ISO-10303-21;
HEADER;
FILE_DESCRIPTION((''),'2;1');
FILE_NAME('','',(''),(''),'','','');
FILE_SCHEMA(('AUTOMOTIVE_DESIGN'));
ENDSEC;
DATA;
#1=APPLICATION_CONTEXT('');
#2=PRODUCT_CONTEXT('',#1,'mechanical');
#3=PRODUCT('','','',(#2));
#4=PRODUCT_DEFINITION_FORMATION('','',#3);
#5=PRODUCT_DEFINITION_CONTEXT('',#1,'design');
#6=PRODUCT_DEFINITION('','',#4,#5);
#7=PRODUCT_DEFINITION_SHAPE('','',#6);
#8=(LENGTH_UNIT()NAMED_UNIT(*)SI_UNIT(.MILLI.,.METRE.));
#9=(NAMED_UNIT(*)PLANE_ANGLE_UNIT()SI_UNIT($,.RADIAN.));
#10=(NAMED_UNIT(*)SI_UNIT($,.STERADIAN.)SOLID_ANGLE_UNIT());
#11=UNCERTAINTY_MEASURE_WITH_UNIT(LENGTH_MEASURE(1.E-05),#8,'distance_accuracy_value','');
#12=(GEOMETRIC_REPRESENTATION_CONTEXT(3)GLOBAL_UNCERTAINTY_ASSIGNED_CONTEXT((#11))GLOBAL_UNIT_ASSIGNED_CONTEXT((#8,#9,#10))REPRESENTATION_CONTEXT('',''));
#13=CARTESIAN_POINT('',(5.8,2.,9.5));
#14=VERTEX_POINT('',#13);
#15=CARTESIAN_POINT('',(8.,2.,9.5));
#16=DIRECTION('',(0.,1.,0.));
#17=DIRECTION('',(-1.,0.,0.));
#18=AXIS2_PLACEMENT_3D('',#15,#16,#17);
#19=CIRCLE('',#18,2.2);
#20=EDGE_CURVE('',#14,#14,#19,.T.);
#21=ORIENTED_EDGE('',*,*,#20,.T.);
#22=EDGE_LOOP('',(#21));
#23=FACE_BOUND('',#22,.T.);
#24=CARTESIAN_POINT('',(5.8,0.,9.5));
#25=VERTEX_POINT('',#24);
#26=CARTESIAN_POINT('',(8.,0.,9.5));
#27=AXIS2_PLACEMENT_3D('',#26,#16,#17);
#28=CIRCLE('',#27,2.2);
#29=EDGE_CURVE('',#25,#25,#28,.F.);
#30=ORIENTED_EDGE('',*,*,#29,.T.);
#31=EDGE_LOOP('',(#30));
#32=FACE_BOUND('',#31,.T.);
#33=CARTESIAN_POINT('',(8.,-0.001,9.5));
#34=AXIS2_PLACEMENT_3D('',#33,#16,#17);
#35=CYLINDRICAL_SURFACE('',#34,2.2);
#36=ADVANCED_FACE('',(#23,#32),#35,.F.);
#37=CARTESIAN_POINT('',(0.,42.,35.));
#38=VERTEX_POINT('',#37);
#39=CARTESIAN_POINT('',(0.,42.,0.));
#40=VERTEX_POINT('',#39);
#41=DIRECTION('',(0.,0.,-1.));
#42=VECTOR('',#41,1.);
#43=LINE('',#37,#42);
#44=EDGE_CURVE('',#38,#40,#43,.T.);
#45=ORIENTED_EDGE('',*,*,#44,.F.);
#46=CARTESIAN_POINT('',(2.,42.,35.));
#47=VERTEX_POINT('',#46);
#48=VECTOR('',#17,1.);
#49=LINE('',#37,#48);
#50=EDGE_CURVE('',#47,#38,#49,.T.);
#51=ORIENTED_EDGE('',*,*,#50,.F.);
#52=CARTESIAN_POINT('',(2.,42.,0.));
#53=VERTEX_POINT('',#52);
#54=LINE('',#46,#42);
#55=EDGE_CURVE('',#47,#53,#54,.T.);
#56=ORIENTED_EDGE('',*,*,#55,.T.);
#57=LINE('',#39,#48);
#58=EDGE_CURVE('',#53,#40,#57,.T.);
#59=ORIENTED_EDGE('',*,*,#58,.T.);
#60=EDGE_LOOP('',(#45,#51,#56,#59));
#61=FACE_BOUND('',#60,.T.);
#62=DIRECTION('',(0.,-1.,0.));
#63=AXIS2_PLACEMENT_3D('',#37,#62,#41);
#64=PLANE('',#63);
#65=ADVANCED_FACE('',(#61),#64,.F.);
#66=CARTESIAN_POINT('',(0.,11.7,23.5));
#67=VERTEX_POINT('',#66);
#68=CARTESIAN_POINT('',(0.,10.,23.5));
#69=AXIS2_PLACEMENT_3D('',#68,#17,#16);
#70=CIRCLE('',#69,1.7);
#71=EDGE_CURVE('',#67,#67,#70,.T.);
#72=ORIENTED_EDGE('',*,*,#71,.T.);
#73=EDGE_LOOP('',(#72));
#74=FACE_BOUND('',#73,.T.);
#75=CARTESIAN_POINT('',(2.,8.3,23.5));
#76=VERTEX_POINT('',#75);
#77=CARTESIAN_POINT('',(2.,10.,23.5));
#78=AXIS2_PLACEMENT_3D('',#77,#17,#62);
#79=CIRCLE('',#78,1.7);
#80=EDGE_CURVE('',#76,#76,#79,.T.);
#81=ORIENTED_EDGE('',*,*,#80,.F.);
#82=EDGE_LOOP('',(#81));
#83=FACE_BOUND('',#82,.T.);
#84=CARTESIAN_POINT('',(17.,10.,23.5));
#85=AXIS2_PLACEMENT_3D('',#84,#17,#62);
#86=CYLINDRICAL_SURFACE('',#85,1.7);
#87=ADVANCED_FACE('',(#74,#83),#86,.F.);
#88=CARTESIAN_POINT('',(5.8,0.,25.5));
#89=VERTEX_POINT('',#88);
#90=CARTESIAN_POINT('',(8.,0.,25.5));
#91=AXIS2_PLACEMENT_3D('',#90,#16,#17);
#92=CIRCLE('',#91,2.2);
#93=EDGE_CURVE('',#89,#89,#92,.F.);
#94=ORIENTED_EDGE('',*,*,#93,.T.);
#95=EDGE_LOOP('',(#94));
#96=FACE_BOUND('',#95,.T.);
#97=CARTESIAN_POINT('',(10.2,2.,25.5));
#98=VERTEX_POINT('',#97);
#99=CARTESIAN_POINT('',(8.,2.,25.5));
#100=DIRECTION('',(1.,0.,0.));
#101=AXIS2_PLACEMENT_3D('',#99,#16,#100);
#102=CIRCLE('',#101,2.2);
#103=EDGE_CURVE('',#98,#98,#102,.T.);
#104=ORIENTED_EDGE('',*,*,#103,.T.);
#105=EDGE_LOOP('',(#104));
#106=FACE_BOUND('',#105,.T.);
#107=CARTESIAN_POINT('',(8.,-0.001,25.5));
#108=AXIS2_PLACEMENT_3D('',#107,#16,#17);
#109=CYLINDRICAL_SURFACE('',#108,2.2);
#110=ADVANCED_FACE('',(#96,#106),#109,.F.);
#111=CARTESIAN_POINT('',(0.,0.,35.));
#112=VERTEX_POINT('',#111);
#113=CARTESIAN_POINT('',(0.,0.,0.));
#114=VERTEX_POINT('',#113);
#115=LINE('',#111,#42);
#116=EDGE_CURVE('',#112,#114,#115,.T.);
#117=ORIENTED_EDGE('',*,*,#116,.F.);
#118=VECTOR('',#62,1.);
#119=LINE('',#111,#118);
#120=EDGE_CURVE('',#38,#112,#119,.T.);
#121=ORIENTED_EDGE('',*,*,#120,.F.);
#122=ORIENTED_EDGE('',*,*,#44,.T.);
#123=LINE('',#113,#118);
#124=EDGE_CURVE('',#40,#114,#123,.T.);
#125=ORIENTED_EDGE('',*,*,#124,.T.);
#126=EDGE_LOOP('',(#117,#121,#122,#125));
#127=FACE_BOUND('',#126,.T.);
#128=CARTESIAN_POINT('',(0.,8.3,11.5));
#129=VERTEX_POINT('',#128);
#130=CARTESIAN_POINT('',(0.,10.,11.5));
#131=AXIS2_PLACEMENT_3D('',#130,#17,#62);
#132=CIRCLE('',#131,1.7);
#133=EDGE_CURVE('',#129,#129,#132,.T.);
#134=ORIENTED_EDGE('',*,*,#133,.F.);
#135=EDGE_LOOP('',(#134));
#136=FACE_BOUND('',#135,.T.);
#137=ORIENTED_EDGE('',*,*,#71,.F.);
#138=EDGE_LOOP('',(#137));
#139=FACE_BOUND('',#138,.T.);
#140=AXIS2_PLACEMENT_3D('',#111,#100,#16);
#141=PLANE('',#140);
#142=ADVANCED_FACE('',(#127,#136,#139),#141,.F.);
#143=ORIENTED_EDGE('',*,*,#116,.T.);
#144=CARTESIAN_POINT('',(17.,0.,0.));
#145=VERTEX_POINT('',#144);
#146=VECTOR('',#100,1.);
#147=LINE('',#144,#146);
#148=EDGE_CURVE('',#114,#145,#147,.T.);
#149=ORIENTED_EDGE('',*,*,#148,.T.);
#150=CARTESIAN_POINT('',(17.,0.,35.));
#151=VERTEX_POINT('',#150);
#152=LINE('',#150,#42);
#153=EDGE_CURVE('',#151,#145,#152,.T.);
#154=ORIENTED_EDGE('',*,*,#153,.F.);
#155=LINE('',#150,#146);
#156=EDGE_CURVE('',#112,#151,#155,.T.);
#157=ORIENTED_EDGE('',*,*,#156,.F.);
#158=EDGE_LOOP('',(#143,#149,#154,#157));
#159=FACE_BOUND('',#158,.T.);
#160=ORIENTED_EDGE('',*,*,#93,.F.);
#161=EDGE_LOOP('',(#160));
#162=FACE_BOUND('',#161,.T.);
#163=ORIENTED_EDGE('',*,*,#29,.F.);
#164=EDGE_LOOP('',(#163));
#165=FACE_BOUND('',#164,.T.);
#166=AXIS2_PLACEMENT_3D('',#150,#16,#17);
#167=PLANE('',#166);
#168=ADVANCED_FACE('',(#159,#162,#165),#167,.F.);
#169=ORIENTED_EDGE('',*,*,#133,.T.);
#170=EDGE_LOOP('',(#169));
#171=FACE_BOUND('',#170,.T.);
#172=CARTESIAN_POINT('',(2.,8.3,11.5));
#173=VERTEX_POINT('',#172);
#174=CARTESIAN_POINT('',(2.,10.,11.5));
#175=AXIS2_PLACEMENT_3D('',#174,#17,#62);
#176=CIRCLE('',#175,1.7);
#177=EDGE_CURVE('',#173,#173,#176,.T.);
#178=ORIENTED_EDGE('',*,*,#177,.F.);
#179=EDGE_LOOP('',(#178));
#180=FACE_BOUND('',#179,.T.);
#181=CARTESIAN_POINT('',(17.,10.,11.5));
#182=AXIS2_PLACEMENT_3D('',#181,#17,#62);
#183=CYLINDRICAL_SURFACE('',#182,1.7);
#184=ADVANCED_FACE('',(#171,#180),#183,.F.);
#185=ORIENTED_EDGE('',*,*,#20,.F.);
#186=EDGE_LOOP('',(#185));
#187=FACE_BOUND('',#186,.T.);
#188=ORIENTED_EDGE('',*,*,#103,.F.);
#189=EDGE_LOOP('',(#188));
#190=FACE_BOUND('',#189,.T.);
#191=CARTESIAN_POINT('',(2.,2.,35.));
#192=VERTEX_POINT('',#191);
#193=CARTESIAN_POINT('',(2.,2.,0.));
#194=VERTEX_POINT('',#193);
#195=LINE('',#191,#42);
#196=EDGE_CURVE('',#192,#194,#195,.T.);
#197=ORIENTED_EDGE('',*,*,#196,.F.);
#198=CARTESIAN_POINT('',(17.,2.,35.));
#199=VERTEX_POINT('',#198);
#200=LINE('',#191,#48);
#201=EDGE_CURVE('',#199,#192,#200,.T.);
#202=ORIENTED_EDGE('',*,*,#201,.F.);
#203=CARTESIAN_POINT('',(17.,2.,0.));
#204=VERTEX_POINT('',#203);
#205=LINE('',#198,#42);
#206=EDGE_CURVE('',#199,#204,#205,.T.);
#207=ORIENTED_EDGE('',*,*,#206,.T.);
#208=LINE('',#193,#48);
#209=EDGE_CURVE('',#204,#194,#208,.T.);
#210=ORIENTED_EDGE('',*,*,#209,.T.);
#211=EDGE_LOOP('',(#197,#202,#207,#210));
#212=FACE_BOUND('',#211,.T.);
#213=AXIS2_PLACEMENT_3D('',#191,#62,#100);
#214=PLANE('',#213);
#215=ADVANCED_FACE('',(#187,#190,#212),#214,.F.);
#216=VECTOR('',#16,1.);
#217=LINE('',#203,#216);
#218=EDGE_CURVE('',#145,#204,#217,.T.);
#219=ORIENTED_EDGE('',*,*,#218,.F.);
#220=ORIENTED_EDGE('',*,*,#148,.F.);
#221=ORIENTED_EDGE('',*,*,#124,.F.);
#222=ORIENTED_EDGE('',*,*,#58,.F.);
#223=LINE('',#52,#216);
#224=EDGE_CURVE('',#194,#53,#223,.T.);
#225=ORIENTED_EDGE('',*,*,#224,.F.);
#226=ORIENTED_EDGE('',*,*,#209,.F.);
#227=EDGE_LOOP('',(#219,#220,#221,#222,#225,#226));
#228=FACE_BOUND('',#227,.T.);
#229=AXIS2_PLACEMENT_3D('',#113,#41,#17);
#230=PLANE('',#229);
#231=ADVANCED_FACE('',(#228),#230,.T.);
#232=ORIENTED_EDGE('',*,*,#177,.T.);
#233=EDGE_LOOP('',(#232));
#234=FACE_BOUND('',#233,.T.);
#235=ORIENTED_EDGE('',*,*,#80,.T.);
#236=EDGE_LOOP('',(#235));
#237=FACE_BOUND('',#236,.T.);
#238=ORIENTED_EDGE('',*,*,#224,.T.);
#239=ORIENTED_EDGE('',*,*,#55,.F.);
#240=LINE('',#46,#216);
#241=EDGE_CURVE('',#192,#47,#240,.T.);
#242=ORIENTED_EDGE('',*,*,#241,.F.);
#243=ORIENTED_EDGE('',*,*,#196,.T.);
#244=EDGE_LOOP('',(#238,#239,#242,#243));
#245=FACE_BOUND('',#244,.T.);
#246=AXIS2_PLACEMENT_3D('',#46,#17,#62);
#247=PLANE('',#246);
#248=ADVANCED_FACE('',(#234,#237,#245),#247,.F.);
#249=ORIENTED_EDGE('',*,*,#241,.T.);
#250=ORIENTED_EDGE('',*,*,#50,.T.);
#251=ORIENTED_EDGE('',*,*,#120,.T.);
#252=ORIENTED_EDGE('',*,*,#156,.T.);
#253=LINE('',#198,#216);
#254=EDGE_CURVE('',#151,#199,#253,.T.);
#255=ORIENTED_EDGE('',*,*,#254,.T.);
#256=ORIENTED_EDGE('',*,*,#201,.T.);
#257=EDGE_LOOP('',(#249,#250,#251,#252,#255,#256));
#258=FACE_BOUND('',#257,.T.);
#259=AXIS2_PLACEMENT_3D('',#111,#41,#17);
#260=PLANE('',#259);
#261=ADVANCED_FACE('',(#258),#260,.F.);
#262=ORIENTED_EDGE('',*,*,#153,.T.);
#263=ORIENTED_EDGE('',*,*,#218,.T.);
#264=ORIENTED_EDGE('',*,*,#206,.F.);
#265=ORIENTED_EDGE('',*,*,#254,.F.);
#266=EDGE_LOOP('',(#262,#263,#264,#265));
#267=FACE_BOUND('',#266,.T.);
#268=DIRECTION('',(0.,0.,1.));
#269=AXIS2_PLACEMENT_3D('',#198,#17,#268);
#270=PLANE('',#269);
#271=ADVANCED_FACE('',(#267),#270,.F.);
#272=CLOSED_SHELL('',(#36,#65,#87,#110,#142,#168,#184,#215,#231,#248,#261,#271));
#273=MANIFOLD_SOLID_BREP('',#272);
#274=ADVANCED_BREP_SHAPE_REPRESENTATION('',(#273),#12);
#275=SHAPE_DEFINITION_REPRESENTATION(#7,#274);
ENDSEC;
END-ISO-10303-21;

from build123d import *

# Parameters (mm, degrees)
EXTRUDE_1_DEPTH     = 35
CUT_EXTRUDE_1_REACH = 57.803
SKETCH_2_R          = 2.2
SKETCH_3_R          = 1.7
CUT_EXTRUDE_2_DEPTH = 58.253820833


with BuildPart() as part:
    # 草图1 → 凸台-拉伸1 (new body)
    with BuildSketch(Plane.XY):
        Polygon((0, 0), (0, 42), (2, 42), (2, 2), (17, 2), (17, 0), align=None)
    extrude(amount=EXTRUDE_1_DEPTH)

    # 草图2 → 切除-拉伸1 (cut, up to next)
    with BuildSketch(Plane(origin=(0, 2, 0), x_dir=(1, 0, 0), z_dir=(0, 1, 0)), mode=Mode.PRIVATE) as cut_extrude_1_sk1:
        with Locations(Location((8, -9.5, 0), (0, 0, 180))):
            Circle(SKETCH_2_R)
    cut_extrude_1_tool1 = extrude(cut_extrude_1_sk1.sketch, amount=-CUT_EXTRUDE_1_REACH, mode=Mode.PRIVATE) & part.part
    # 草图2 → 切除-拉伸1 (cut, up to next)
    with BuildSketch(Plane(origin=(0, 2, 0), x_dir=(1, 0, 0), z_dir=(0, 1, 0)), mode=Mode.PRIVATE) as cut_extrude_1_sk2:
        with Locations(Location((8, -25.5, 0), (0, 0, 180))):
            Circle(SKETCH_2_R)
    cut_extrude_1_tool2 = extrude(cut_extrude_1_sk2.sketch, amount=-CUT_EXTRUDE_1_REACH, mode=Mode.PRIVATE) & part.part
    add(cut_extrude_1_tool1.solids().sort_by_distance((8, 2, 9.5))[0], mode=Mode.SUBTRACT)
    add(cut_extrude_1_tool2.solids().sort_by_distance((8, 2, 25.5))[0], mode=Mode.SUBTRACT)

    # 草图3 → 切除-拉伸2 (cut, through all)
    with BuildSketch(Plane.ZY):
        with Locations(Location((11.5, 10, 0), (0, 0, 270))):
            Circle(SKETCH_3_R)
        with Locations(Location((23.5, 10, 0), (0, 0, 270))):
            Circle(SKETCH_3_R)
    extrude(amount=-CUT_EXTRUDE_2_DEPTH, mode=Mode.SUBTRACT)


solid = part.part
